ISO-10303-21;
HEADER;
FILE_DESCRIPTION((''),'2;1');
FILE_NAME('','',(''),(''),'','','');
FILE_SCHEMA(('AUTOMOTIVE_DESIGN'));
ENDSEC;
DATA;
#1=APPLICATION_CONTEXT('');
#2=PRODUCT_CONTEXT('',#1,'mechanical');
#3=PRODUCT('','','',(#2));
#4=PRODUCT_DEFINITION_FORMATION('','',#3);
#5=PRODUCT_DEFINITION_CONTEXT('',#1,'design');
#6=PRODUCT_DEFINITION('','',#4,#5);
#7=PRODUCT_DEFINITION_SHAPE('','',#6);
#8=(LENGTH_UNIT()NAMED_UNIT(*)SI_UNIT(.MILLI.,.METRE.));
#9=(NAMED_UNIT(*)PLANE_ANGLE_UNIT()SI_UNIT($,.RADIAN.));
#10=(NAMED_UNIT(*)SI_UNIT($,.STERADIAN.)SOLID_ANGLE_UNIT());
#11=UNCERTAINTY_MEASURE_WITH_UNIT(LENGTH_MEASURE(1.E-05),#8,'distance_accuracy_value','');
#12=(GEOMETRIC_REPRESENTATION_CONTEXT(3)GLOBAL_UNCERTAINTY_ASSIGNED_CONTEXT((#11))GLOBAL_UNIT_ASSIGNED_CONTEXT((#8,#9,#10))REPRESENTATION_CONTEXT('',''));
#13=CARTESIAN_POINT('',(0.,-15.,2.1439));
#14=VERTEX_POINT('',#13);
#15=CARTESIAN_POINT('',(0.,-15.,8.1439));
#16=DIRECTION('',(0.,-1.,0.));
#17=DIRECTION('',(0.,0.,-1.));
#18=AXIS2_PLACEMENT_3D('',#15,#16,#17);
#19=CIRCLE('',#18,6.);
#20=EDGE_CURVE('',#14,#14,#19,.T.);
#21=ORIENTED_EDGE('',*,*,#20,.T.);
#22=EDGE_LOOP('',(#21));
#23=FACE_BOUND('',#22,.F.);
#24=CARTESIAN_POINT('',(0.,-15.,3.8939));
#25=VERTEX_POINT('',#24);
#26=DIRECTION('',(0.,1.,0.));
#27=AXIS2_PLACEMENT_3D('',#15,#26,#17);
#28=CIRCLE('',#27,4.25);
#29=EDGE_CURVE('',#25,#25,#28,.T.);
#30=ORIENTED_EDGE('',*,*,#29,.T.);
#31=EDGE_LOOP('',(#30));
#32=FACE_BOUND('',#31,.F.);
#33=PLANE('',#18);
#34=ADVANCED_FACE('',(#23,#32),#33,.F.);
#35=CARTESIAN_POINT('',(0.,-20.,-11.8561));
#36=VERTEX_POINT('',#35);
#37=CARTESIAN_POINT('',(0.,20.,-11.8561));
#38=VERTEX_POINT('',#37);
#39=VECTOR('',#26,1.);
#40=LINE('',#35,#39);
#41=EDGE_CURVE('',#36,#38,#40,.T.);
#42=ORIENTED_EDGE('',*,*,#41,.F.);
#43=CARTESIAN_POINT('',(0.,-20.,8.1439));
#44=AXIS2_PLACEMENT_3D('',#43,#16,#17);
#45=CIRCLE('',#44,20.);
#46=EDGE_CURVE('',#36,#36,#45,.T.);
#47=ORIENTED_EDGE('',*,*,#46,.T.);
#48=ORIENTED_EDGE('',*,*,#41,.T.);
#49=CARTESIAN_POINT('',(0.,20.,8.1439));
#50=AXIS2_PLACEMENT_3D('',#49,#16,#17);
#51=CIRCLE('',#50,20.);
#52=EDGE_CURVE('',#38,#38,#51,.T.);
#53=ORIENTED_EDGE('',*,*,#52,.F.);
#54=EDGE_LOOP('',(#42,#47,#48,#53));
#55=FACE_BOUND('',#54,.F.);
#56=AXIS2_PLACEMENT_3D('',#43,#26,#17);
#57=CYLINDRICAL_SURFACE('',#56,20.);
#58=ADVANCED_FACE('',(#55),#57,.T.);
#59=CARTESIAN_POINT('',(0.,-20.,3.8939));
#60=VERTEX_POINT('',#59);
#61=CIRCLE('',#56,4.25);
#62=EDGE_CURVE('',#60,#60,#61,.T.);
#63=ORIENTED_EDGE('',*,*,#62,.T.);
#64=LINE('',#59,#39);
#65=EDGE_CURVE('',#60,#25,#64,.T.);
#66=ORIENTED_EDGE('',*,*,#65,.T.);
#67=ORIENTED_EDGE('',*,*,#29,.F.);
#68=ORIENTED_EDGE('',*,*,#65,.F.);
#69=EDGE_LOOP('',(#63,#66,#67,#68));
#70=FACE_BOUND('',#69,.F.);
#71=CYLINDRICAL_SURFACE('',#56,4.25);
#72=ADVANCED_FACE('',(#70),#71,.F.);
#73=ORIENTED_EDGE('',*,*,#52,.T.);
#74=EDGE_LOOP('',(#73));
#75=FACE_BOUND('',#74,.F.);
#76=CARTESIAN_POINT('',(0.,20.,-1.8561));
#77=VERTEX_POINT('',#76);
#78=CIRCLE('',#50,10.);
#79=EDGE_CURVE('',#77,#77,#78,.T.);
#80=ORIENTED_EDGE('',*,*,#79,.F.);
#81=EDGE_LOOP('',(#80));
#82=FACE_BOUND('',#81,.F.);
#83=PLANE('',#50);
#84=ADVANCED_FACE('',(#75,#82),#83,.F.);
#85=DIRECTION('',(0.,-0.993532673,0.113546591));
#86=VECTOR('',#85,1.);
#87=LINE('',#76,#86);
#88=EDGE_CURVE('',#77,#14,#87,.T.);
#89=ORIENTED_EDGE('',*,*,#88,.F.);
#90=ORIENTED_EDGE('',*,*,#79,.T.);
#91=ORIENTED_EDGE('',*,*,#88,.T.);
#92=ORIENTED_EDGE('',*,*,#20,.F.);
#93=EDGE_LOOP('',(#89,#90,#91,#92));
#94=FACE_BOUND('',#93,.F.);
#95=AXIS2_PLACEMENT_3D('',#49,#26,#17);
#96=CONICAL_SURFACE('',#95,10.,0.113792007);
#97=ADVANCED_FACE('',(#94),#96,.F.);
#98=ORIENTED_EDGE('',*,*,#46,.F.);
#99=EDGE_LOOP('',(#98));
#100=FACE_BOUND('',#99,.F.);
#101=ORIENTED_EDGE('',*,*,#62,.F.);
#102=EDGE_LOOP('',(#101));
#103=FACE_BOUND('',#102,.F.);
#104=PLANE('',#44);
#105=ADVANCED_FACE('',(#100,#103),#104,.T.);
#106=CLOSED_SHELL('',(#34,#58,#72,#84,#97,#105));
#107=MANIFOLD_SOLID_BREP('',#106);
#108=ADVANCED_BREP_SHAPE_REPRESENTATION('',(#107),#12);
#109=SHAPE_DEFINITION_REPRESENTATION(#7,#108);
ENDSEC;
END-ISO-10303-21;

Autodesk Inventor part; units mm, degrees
ref_plane "YZ Plane" through (0, 0, 0) normal (1, 0, 0) x (0, 1, 0)
ref_plane "XZ Plane" through (0, 0, 0) normal (0, 1, 0) x (-1, 0, 0)
ref_plane "XY Plane" through (0, 0, 0) normal (0, 0, 1) x (1, 0, 0)
sketch "Skizze1" plane through (0, 0, 0) normal (1, 0, 0) x (0, 1, 0)
  line L0 (-20, 8.1439) -> (-20, -11.8561)
  line L1 (-20, -11.8561) -> (20, -11.8561)
  line L2 (20, -11.8561) -> (20, -1.8561)
  line L3 (20, -1.8561) -> (-15, 2.1439)
  line L4 (-15, 2.1439) -> (-15, 8.1439)
  line L5 (-15, 8.1439) -> (-20, 8.1439)
  line L6 (0, -15.8561) -> (0, 12.1439) projected
  line L7 (-28, 0) -> (28, 0) projected
  point P0 (0, 0)
  dimension "d0" = 6
  dimension "d1" = 20
  dimension "d2" = 10
  dimension "d11" = 5
  dimension "d12" = 40
revolve "Umdrehung1" add sketch "Skizze1" angle 360 about axis through (0, -15, 8.1439) along (0, -1, 0)
sketch "Skizze2" plane through (0, -20, 8.1439) normal (0, -1, 0) x (1, 0, 0)
  point P0 (0, -8.1439)
  point P1 (0, 0)
hole "Bohrung1" at (0, -20, 8.1439) direction (0, 1, 0) diameter 8.5 end through all
properties part number "SensorHalter"
